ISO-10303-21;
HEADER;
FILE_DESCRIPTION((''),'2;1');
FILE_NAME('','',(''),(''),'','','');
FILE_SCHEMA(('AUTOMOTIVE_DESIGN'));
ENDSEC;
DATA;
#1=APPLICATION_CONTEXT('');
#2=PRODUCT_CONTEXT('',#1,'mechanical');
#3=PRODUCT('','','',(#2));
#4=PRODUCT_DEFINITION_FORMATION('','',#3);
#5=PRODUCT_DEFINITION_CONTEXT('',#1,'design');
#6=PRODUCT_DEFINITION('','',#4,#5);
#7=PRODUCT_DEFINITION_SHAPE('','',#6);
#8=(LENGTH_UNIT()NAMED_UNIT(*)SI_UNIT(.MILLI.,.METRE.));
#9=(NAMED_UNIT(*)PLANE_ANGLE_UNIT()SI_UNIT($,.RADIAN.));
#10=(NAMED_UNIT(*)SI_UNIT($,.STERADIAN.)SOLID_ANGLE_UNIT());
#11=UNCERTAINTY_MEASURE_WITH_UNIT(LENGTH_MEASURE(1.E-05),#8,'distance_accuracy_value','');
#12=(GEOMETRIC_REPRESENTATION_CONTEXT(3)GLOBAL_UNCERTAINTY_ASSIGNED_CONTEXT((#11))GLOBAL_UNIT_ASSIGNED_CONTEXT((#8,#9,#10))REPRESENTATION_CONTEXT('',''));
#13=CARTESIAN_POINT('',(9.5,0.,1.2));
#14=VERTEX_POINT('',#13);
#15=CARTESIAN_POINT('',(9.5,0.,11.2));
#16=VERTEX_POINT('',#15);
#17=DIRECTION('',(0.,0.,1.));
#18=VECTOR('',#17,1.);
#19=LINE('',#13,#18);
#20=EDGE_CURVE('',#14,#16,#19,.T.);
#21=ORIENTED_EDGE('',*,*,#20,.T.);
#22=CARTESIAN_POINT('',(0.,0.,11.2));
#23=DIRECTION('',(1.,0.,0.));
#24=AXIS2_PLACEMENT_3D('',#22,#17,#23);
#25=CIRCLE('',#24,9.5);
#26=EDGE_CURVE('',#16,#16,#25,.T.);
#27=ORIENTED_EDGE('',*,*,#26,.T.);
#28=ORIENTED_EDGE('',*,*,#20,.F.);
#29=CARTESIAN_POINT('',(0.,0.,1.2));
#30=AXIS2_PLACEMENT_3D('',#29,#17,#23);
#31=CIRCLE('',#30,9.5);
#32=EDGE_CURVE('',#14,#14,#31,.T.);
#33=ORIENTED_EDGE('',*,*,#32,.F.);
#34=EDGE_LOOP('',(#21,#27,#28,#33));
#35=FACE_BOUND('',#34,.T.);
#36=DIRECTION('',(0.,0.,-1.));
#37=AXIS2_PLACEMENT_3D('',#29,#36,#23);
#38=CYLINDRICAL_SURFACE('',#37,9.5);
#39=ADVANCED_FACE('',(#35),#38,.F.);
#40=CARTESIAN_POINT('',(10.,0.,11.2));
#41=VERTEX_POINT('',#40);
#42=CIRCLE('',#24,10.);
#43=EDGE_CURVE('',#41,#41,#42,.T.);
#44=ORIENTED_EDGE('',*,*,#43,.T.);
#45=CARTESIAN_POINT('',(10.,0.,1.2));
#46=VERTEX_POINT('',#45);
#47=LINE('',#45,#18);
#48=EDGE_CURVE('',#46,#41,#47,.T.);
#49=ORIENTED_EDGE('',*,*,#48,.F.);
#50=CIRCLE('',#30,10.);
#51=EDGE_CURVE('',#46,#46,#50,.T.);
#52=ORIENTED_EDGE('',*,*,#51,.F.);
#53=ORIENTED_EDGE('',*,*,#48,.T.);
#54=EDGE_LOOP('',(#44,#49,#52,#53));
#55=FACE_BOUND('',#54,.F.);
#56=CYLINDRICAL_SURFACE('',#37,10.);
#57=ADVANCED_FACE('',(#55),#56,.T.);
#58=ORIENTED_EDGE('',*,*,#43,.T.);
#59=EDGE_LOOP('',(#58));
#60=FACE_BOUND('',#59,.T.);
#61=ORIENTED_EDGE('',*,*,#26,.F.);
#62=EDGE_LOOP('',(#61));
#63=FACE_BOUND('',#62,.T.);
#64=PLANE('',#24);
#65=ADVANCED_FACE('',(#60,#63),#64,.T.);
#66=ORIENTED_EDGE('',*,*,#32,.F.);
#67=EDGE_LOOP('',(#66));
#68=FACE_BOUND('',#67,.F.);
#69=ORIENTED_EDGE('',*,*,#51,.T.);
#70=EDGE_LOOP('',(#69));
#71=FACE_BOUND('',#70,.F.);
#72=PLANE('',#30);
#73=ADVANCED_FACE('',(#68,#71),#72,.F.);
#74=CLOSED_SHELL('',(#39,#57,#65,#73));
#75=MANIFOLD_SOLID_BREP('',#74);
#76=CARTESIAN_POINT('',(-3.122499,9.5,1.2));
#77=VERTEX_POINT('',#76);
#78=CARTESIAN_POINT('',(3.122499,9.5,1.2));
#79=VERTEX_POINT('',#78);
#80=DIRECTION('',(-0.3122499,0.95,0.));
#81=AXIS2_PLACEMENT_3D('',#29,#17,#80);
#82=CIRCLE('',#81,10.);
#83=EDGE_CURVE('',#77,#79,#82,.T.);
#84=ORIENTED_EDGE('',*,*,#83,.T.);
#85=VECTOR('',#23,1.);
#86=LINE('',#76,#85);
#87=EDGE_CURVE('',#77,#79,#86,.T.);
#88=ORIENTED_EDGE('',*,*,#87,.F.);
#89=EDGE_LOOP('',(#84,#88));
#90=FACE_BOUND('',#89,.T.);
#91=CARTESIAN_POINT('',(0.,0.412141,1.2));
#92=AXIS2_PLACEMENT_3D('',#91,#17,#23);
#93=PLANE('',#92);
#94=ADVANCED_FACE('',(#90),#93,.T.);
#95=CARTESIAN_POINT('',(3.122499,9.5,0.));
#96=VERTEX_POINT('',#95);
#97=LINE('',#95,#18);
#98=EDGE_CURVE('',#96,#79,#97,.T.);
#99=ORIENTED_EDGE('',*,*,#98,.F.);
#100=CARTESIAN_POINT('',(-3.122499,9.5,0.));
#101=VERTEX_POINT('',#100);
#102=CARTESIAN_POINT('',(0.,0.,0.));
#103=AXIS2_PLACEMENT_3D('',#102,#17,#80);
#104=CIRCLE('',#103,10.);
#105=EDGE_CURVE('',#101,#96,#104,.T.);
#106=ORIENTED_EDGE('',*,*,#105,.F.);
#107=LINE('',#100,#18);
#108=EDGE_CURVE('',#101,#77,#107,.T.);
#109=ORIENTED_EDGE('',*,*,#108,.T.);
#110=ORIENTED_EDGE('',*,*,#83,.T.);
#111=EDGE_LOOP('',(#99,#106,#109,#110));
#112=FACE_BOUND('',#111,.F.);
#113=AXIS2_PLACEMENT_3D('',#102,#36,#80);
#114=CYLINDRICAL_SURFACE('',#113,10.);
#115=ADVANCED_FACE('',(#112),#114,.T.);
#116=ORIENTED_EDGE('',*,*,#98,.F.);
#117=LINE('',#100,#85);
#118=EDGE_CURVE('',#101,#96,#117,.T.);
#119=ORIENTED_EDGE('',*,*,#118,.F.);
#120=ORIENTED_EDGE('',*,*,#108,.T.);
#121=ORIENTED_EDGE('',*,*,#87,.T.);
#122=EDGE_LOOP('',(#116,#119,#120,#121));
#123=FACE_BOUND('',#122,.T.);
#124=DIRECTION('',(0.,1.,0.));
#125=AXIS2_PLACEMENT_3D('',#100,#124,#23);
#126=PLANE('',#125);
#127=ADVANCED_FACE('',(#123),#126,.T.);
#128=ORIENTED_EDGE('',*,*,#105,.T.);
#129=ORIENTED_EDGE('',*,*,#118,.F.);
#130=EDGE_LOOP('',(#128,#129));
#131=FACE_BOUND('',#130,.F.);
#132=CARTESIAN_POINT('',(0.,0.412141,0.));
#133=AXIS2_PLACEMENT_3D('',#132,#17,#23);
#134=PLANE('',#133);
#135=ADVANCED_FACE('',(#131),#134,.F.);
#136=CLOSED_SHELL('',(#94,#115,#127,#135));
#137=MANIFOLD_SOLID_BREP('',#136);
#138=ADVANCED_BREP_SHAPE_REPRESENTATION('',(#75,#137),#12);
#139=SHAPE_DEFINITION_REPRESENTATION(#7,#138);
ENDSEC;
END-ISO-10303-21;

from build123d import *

# Parameters (mm, degrees)
EXTRUDE_SKETCH_DEPTH    = 1.2
SKETCH001_R             = 10
SKETCH001_R_2           = 9.5
EXTRUDE_SKETCH001_DEPTH = 10


with BuildPart() as sketch_extrude:
    # Sketch → Extrude_Sketch (new body)
    with BuildSketch(Plane.XY):
        with BuildLine():
            ThreePointArc((-3.122499, 9.5), (0, -10), (3.122499, 9.5))
            Line((-3.122499, 9.5), (3.122499, 9.5))
        make_face()
    extrude(amount=EXTRUDE_SKETCH_DEPTH)


with BuildPart() as sketch001_extrude:
    # Sketch001 → Extrude_Sketch001 (new body)
    with BuildSketch(Plane.XY.offset(1.2)):
        Circle(SKETCH001_R)
        Circle(SKETCH001_R_2, mode=Mode.SUBTRACT)
    extrude(amount=EXTRUDE_SKETCH001_DEPTH)


solid = Compound([sketch_extrude.part, sketch001_extrude.part])
